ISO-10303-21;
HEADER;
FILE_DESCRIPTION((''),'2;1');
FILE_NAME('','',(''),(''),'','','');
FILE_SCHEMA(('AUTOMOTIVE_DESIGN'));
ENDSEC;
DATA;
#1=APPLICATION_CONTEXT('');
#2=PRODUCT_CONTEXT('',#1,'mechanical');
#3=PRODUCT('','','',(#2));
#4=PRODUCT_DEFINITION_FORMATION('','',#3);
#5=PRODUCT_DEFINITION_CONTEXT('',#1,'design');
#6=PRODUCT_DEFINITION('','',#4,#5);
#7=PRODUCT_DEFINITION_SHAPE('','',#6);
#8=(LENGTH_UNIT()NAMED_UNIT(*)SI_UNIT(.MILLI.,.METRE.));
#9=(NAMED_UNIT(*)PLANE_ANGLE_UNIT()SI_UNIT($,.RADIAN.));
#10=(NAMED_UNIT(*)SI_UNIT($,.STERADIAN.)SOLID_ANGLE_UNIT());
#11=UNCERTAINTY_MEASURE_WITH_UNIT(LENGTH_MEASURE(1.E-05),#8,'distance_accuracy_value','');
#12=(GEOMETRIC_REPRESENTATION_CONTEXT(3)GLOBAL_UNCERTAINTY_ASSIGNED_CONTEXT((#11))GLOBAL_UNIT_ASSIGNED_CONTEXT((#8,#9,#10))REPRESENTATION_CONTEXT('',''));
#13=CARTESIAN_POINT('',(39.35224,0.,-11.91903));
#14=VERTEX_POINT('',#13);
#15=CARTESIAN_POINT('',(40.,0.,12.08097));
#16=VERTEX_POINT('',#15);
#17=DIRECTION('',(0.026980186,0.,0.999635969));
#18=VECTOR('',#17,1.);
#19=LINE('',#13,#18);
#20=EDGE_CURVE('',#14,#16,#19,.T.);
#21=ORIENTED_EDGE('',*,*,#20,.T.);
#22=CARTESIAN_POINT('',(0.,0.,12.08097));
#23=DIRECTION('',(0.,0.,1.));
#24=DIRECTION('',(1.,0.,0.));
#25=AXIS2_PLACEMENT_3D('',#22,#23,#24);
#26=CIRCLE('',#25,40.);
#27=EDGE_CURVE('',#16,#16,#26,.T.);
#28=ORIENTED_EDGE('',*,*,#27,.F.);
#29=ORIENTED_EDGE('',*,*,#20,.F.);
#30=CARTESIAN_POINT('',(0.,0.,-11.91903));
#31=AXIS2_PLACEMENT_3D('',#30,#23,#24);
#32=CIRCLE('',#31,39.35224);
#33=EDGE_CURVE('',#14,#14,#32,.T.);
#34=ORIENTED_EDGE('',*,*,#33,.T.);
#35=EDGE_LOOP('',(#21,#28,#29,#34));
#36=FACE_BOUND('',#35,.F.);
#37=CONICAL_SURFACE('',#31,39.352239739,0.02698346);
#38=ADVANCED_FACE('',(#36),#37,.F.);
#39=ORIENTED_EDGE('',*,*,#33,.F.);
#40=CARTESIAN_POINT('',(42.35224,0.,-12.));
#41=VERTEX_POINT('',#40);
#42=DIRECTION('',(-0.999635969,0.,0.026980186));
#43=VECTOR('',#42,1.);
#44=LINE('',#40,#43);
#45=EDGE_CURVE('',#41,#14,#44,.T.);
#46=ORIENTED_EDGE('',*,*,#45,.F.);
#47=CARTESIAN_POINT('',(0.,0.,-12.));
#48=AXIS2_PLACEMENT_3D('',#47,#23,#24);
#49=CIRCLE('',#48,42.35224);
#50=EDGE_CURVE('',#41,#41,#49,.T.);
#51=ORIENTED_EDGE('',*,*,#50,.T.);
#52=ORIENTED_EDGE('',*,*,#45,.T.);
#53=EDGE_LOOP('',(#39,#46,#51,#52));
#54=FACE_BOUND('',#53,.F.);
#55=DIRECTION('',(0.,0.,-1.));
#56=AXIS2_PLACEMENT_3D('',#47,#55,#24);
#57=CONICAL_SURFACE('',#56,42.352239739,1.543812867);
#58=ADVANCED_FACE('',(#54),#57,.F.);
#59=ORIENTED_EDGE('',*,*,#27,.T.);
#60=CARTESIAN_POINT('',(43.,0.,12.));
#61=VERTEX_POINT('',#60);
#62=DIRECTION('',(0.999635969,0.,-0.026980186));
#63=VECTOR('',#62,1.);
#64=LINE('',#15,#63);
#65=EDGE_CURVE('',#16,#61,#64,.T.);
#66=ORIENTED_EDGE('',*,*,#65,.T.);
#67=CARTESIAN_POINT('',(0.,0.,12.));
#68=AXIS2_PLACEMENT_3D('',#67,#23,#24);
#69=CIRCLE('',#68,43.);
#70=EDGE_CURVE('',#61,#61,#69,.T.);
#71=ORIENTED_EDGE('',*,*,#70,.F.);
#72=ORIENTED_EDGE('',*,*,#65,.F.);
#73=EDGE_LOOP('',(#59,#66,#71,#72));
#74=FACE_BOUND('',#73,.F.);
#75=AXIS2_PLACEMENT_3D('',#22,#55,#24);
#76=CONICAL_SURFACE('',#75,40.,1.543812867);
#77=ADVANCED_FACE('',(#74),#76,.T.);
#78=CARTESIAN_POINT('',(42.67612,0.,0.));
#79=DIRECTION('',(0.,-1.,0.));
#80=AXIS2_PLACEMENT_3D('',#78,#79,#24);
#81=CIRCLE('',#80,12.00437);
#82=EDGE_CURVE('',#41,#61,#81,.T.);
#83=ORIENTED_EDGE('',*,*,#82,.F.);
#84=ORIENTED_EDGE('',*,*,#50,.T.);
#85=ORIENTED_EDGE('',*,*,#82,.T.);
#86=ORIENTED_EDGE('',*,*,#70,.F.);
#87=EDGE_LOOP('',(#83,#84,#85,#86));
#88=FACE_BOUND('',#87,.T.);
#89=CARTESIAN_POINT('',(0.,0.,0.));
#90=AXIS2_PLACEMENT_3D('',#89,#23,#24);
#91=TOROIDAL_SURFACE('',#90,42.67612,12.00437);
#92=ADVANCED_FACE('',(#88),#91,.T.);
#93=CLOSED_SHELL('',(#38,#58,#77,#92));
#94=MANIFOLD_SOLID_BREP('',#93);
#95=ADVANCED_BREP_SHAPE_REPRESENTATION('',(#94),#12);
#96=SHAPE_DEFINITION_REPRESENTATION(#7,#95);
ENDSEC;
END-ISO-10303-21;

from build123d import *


with BuildPart() as f2:
    # F2: sweep along a path in F0
    with BuildLine(Plane.XY) as f2_path:
        CenterArc((0, 0), 40, 0, 360)
    # F1 (on Front) → F2 (sweep)
    with BuildSketch(Plane.XZ):
        with BuildLine():
            Line((-40, 12.0809700327), (-43, 12))
            ThreePointArc((-43, 12), (-54.6761198692, -0.3238801308), (-42.3522397385, -12))
            Line((-42.3522397385, -12), (-39.3522397385, -11.9190299673))
            Line((-39.3522397385, -11.9190299673), (-40, 12.0809700327))
        make_face()
    sweep(path=f2_path.line)


solid = f2.part
